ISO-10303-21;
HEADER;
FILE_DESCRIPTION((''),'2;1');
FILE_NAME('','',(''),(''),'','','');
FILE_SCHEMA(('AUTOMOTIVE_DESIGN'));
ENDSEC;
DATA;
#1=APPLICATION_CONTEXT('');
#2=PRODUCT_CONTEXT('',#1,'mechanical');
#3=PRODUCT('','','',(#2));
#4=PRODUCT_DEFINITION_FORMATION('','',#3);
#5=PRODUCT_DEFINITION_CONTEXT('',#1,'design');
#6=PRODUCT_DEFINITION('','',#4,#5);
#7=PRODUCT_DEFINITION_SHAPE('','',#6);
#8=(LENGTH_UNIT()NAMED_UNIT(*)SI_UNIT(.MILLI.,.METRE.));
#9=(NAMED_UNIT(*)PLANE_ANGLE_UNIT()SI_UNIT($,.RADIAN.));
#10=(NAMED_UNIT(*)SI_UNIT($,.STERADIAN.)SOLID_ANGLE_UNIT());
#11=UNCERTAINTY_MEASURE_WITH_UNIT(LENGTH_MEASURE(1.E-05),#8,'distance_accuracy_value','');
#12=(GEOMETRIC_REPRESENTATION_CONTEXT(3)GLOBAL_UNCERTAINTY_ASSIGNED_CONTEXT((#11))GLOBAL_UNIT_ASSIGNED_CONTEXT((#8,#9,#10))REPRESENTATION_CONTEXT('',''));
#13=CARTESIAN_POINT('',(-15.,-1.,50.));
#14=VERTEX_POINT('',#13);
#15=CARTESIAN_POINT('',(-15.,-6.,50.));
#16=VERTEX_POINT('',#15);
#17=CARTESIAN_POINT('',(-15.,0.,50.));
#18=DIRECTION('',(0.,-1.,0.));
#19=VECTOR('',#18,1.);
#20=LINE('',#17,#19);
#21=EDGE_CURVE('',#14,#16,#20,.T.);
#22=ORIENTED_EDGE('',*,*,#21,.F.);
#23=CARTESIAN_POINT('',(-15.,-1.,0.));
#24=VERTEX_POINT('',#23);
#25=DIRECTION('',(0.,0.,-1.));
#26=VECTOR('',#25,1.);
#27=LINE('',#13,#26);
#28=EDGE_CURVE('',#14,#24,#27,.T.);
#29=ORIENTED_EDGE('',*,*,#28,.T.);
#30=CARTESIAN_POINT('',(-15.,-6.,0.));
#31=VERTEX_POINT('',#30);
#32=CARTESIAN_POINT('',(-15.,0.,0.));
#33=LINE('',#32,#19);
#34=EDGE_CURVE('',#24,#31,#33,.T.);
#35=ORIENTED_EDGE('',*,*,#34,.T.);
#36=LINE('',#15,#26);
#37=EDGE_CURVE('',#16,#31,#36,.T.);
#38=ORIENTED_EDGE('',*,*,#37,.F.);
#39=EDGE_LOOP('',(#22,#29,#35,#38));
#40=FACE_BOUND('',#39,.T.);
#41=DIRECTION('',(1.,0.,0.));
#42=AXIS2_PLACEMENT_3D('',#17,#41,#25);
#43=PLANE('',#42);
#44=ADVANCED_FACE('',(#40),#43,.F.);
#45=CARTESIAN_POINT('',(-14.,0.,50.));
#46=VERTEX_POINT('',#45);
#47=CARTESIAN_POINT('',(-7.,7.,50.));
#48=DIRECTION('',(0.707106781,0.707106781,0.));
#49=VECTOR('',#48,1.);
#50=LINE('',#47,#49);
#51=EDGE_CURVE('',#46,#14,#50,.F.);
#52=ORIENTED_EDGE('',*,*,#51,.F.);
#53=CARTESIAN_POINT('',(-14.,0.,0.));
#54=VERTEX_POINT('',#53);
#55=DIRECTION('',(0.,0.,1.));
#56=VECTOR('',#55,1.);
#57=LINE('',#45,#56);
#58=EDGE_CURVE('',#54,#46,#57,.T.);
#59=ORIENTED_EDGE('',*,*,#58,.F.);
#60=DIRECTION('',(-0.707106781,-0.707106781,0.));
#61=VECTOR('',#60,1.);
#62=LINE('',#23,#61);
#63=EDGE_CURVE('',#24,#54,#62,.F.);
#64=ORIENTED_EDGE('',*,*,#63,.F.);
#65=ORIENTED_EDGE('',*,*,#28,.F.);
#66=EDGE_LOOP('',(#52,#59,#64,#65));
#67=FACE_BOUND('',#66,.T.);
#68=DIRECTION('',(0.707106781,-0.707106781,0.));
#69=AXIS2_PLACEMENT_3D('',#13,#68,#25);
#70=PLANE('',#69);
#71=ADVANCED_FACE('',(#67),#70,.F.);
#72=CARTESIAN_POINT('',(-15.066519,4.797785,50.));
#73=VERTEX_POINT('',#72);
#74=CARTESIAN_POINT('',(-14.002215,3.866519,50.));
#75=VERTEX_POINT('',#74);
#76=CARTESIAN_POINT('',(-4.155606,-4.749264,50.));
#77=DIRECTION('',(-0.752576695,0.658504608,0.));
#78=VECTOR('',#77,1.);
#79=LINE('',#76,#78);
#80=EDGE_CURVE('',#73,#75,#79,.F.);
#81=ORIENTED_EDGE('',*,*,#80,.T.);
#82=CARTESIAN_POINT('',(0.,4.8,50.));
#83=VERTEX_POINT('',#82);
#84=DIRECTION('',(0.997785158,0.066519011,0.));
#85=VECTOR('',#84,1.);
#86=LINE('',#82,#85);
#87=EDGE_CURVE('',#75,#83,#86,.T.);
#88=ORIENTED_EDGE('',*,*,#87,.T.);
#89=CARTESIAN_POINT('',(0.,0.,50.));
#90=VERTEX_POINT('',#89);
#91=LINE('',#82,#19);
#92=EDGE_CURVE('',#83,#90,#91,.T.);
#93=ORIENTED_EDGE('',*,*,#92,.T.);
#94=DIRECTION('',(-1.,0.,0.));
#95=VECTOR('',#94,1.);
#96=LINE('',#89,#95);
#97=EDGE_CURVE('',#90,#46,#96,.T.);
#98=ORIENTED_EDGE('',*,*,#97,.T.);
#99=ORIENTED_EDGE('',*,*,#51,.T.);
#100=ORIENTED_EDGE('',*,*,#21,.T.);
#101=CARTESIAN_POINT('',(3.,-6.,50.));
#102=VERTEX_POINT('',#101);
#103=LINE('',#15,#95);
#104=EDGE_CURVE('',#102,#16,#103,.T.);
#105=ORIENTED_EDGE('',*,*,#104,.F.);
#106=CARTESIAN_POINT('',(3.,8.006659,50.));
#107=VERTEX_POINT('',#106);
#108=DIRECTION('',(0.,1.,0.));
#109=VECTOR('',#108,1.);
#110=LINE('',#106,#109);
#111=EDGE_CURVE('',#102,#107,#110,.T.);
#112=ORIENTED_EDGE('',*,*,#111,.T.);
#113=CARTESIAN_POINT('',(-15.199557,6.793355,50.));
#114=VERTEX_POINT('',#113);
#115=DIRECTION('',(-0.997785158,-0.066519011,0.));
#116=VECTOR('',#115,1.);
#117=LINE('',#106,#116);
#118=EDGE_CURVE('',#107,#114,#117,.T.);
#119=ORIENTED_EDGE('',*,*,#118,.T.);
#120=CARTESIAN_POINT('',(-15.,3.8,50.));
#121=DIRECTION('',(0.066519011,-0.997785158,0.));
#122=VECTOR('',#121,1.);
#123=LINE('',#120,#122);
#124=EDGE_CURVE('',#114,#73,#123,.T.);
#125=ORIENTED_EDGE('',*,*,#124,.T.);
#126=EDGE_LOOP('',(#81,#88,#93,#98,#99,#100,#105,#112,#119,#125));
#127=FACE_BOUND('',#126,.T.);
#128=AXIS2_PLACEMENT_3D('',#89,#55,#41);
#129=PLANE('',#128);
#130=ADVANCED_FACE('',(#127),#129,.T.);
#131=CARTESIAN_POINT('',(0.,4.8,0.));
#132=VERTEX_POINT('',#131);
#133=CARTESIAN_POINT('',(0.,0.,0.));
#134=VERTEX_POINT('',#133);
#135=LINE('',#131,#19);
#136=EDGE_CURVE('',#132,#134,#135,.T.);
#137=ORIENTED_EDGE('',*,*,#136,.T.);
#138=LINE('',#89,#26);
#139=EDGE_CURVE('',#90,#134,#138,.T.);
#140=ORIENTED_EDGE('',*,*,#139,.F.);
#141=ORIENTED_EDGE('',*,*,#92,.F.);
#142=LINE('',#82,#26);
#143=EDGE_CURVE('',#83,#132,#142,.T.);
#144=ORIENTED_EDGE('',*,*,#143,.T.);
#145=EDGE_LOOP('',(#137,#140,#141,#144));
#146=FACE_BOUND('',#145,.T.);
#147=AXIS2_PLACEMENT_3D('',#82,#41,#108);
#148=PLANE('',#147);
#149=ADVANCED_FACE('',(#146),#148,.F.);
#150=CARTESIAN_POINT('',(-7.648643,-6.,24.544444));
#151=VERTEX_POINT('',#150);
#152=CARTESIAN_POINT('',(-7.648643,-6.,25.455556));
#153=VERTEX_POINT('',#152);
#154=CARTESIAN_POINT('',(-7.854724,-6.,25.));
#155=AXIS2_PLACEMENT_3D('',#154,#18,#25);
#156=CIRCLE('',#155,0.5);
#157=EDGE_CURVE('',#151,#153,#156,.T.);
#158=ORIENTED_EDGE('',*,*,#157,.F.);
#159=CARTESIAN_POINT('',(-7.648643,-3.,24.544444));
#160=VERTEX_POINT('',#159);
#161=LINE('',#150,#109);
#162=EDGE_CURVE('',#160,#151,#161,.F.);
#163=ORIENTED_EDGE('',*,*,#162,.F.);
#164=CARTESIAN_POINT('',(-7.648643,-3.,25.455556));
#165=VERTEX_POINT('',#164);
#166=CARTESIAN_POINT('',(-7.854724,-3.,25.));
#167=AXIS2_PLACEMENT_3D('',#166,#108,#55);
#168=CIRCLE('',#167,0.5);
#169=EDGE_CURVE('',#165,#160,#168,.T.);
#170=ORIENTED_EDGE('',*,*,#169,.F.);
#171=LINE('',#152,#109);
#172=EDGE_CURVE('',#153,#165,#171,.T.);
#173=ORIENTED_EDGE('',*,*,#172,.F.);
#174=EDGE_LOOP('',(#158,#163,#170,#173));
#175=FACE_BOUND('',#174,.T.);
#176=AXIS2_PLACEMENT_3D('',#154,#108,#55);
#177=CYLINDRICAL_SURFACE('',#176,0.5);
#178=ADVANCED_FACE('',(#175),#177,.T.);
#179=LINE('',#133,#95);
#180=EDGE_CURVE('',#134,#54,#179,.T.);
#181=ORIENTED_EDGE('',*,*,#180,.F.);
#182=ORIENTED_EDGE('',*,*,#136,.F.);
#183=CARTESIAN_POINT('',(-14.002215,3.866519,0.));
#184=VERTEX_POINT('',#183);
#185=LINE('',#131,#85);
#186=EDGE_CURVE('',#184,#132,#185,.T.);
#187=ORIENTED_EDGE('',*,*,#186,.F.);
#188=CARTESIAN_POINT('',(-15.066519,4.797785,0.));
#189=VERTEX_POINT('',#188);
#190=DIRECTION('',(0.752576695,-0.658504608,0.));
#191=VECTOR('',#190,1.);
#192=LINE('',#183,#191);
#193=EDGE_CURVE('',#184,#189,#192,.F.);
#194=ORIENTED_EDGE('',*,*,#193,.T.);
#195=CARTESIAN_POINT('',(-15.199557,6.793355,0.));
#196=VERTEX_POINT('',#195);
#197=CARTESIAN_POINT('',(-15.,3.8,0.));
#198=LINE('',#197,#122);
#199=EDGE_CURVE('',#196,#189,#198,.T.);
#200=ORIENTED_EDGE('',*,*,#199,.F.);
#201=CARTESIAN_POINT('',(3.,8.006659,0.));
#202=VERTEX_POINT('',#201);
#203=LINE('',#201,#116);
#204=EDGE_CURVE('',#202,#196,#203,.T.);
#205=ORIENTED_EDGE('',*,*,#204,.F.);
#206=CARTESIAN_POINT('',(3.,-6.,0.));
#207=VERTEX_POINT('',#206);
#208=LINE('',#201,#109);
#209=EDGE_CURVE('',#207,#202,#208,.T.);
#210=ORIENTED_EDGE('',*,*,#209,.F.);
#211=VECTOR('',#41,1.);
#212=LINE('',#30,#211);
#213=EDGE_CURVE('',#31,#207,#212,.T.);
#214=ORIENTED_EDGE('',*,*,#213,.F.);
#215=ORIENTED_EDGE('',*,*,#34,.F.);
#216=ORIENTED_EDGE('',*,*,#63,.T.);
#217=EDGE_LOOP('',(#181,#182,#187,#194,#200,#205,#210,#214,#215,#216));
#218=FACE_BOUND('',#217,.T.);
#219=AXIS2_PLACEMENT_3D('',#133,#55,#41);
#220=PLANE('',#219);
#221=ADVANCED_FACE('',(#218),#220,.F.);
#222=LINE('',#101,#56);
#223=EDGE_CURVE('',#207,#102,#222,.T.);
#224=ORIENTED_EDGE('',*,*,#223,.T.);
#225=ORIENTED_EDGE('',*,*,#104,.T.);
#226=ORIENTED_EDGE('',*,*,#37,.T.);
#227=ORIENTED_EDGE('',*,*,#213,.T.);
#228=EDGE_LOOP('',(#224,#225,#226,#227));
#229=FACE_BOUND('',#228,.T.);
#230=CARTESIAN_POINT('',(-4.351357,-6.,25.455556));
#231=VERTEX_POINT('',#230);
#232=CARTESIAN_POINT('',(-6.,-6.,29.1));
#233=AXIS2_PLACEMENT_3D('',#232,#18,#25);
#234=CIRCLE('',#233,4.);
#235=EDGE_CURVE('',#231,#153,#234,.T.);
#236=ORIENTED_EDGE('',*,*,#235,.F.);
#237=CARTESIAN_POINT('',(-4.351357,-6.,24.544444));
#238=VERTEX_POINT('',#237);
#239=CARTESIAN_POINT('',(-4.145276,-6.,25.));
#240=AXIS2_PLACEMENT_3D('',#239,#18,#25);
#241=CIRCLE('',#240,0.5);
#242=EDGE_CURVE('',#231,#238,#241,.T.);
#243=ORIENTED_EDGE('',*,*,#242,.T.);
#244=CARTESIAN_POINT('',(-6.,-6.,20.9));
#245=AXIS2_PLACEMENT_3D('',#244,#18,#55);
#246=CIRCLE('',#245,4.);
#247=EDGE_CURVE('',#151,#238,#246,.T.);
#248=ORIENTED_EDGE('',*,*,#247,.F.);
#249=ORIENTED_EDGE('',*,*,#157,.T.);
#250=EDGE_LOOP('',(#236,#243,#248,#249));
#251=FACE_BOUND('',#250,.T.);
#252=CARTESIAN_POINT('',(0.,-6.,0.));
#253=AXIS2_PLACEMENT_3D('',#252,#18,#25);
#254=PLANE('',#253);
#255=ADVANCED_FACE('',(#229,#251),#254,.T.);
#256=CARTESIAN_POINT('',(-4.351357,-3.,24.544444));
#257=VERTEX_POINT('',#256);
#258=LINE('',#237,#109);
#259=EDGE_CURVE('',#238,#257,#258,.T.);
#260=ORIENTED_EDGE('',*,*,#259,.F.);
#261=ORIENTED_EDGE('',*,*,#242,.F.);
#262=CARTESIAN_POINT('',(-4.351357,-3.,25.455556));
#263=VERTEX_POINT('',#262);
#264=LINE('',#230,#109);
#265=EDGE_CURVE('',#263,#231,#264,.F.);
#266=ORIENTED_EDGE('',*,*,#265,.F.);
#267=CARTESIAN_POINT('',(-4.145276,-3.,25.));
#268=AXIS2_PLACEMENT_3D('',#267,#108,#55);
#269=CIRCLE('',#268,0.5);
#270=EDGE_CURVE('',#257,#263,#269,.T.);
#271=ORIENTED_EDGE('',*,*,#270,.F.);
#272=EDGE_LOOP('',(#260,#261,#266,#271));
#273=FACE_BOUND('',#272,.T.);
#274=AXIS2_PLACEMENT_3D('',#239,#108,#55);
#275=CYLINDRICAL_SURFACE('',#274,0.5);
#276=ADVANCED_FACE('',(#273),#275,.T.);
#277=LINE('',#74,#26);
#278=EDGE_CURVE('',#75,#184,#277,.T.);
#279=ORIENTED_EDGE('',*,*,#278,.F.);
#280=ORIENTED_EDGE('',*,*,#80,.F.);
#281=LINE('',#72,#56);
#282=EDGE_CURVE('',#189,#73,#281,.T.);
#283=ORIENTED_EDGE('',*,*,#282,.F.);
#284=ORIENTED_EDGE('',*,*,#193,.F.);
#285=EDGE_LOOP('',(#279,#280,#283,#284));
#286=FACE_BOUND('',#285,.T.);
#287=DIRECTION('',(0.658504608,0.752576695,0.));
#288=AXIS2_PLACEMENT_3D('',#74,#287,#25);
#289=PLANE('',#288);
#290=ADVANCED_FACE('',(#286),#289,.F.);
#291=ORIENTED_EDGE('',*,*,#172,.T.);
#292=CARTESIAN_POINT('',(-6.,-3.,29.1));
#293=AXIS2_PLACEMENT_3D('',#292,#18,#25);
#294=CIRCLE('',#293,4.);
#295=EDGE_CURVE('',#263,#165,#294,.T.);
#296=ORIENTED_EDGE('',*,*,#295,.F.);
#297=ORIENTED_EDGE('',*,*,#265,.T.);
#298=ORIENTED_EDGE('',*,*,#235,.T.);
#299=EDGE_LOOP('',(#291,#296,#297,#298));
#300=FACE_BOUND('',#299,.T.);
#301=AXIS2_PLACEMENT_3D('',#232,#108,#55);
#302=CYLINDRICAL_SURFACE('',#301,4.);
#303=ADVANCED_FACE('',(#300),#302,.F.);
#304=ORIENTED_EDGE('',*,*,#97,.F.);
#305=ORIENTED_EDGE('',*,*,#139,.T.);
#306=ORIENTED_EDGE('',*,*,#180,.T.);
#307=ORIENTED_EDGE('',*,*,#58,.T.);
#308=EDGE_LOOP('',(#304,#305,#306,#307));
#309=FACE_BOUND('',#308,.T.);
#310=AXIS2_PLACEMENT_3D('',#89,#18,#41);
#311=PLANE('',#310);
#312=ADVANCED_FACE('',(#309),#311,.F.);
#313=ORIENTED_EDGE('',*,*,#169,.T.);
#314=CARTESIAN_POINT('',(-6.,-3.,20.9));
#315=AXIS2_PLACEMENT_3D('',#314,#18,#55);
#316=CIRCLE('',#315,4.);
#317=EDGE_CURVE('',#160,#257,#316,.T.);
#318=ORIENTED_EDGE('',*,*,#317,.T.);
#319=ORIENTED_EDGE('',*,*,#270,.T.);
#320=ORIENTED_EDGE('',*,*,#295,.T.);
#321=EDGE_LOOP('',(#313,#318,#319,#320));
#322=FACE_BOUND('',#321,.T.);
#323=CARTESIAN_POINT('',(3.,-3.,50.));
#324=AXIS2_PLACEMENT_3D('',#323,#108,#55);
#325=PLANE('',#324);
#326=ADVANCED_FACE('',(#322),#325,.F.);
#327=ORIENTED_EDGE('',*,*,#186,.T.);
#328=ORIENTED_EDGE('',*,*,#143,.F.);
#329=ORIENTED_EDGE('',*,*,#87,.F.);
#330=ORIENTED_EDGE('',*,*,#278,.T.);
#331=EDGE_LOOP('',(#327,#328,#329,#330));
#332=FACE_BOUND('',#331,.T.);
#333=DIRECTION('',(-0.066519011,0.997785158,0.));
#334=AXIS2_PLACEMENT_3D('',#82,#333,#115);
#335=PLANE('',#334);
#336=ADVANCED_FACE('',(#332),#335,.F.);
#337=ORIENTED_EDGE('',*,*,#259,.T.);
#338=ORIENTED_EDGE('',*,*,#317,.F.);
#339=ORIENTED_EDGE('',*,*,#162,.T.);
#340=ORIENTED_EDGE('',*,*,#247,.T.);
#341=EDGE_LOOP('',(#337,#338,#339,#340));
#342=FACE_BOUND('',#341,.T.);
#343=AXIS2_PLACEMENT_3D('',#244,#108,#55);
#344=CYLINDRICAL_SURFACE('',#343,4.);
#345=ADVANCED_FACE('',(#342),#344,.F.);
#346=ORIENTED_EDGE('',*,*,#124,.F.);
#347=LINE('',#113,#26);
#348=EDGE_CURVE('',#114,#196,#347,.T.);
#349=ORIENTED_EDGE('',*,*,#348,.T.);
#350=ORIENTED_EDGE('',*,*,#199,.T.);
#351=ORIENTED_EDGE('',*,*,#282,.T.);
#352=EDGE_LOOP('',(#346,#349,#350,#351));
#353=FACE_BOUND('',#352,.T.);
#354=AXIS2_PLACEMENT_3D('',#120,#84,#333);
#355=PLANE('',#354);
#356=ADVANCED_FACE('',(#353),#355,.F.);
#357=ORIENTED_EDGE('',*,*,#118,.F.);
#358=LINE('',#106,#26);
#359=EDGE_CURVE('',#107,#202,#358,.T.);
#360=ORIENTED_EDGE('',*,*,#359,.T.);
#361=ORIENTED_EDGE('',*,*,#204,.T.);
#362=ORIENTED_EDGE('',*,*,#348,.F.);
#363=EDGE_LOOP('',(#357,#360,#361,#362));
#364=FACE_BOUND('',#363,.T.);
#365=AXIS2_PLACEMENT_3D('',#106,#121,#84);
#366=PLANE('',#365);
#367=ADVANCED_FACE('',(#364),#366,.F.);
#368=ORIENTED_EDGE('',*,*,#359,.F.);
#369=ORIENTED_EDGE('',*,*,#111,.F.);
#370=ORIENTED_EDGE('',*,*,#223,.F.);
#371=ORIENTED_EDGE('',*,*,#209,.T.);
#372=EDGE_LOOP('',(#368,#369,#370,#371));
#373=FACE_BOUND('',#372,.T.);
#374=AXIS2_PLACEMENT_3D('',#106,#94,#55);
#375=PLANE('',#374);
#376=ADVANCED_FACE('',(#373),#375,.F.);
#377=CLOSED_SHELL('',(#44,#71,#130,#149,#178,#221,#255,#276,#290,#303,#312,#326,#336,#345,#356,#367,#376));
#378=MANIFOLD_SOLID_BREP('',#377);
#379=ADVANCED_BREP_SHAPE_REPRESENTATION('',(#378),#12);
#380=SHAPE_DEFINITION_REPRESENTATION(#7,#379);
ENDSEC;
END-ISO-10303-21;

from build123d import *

# Parameters (mm, degrees)
BOSS_EXTRU_1_DEPTH = 50
ESQUISSE2_W        = 18
ESQUISSE2_H        = 50
BOSS_EXTRU_2_DEPTH = 3
CHANFREIN1_SIZE    = 1
CONG_1_R           = 0.5


with BuildPart() as part:
    # Esquisse1 → Boss.-Extru.1 (new body)
    with BuildSketch(Plane.XY):
        Polygon((0, 4.8), (0, 0), (-15, 0), (-15, -3), (3, -3), (3, 8.006659276), (-15.199557032, 6.793355474), (-15, 3.8), align=None)
    extrude(amount=BOSS_EXTRU_1_DEPTH)

    # Esquisse2 → Boss.-Extru.2 (add)
    with BuildSketch(Plane.XZ.offset(3)):
        with Locations((-6, 25)):
            Rectangle(ESQUISSE2_W, ESQUISSE2_H)
        with BuildLine():
            Line((-5.636810707, 25), (-4.842377656, 25.271173743))
            ThreePointArc((-4.842377656, 25.271173743), (-6, 33.1), (-7.157622344, 25.271173743))
            Line((-7.157622344, 25.271173743), (-6.363189293, 25))
            Line((-6.363189293, 25), (-7.157622344, 24.728826257))
            ThreePointArc((-7.157622344, 24.728826257), (-6, 16.9), (-4.842377656, 24.728826257))
            Line((-4.842377656, 24.728826257), (-5.636810707, 25))
        make_face(mode=Mode.SUBTRACT)
    extrude(amount=BOSS_EXTRU_2_DEPTH)

    # Chanfrein1
    chanfrein1_edges = [part.edges().sort_by_distance(p)[0] for p in [
        (-15, 3.8, 25),
        (-15, 0, 25),
    ]]
    chamfer(chanfrein1_edges, length=CHANFREIN1_SIZE)

    # Congé1
    cong_1_edges = [part.edges().sort_by_distance(p)[0] for p in [
        (-6.363189293, -4.5, 25),
        (-5.636810707, -4.5, 25),
    ]]
    fillet(cong_1_edges, radius=CONG_1_R)


solid = part.part
